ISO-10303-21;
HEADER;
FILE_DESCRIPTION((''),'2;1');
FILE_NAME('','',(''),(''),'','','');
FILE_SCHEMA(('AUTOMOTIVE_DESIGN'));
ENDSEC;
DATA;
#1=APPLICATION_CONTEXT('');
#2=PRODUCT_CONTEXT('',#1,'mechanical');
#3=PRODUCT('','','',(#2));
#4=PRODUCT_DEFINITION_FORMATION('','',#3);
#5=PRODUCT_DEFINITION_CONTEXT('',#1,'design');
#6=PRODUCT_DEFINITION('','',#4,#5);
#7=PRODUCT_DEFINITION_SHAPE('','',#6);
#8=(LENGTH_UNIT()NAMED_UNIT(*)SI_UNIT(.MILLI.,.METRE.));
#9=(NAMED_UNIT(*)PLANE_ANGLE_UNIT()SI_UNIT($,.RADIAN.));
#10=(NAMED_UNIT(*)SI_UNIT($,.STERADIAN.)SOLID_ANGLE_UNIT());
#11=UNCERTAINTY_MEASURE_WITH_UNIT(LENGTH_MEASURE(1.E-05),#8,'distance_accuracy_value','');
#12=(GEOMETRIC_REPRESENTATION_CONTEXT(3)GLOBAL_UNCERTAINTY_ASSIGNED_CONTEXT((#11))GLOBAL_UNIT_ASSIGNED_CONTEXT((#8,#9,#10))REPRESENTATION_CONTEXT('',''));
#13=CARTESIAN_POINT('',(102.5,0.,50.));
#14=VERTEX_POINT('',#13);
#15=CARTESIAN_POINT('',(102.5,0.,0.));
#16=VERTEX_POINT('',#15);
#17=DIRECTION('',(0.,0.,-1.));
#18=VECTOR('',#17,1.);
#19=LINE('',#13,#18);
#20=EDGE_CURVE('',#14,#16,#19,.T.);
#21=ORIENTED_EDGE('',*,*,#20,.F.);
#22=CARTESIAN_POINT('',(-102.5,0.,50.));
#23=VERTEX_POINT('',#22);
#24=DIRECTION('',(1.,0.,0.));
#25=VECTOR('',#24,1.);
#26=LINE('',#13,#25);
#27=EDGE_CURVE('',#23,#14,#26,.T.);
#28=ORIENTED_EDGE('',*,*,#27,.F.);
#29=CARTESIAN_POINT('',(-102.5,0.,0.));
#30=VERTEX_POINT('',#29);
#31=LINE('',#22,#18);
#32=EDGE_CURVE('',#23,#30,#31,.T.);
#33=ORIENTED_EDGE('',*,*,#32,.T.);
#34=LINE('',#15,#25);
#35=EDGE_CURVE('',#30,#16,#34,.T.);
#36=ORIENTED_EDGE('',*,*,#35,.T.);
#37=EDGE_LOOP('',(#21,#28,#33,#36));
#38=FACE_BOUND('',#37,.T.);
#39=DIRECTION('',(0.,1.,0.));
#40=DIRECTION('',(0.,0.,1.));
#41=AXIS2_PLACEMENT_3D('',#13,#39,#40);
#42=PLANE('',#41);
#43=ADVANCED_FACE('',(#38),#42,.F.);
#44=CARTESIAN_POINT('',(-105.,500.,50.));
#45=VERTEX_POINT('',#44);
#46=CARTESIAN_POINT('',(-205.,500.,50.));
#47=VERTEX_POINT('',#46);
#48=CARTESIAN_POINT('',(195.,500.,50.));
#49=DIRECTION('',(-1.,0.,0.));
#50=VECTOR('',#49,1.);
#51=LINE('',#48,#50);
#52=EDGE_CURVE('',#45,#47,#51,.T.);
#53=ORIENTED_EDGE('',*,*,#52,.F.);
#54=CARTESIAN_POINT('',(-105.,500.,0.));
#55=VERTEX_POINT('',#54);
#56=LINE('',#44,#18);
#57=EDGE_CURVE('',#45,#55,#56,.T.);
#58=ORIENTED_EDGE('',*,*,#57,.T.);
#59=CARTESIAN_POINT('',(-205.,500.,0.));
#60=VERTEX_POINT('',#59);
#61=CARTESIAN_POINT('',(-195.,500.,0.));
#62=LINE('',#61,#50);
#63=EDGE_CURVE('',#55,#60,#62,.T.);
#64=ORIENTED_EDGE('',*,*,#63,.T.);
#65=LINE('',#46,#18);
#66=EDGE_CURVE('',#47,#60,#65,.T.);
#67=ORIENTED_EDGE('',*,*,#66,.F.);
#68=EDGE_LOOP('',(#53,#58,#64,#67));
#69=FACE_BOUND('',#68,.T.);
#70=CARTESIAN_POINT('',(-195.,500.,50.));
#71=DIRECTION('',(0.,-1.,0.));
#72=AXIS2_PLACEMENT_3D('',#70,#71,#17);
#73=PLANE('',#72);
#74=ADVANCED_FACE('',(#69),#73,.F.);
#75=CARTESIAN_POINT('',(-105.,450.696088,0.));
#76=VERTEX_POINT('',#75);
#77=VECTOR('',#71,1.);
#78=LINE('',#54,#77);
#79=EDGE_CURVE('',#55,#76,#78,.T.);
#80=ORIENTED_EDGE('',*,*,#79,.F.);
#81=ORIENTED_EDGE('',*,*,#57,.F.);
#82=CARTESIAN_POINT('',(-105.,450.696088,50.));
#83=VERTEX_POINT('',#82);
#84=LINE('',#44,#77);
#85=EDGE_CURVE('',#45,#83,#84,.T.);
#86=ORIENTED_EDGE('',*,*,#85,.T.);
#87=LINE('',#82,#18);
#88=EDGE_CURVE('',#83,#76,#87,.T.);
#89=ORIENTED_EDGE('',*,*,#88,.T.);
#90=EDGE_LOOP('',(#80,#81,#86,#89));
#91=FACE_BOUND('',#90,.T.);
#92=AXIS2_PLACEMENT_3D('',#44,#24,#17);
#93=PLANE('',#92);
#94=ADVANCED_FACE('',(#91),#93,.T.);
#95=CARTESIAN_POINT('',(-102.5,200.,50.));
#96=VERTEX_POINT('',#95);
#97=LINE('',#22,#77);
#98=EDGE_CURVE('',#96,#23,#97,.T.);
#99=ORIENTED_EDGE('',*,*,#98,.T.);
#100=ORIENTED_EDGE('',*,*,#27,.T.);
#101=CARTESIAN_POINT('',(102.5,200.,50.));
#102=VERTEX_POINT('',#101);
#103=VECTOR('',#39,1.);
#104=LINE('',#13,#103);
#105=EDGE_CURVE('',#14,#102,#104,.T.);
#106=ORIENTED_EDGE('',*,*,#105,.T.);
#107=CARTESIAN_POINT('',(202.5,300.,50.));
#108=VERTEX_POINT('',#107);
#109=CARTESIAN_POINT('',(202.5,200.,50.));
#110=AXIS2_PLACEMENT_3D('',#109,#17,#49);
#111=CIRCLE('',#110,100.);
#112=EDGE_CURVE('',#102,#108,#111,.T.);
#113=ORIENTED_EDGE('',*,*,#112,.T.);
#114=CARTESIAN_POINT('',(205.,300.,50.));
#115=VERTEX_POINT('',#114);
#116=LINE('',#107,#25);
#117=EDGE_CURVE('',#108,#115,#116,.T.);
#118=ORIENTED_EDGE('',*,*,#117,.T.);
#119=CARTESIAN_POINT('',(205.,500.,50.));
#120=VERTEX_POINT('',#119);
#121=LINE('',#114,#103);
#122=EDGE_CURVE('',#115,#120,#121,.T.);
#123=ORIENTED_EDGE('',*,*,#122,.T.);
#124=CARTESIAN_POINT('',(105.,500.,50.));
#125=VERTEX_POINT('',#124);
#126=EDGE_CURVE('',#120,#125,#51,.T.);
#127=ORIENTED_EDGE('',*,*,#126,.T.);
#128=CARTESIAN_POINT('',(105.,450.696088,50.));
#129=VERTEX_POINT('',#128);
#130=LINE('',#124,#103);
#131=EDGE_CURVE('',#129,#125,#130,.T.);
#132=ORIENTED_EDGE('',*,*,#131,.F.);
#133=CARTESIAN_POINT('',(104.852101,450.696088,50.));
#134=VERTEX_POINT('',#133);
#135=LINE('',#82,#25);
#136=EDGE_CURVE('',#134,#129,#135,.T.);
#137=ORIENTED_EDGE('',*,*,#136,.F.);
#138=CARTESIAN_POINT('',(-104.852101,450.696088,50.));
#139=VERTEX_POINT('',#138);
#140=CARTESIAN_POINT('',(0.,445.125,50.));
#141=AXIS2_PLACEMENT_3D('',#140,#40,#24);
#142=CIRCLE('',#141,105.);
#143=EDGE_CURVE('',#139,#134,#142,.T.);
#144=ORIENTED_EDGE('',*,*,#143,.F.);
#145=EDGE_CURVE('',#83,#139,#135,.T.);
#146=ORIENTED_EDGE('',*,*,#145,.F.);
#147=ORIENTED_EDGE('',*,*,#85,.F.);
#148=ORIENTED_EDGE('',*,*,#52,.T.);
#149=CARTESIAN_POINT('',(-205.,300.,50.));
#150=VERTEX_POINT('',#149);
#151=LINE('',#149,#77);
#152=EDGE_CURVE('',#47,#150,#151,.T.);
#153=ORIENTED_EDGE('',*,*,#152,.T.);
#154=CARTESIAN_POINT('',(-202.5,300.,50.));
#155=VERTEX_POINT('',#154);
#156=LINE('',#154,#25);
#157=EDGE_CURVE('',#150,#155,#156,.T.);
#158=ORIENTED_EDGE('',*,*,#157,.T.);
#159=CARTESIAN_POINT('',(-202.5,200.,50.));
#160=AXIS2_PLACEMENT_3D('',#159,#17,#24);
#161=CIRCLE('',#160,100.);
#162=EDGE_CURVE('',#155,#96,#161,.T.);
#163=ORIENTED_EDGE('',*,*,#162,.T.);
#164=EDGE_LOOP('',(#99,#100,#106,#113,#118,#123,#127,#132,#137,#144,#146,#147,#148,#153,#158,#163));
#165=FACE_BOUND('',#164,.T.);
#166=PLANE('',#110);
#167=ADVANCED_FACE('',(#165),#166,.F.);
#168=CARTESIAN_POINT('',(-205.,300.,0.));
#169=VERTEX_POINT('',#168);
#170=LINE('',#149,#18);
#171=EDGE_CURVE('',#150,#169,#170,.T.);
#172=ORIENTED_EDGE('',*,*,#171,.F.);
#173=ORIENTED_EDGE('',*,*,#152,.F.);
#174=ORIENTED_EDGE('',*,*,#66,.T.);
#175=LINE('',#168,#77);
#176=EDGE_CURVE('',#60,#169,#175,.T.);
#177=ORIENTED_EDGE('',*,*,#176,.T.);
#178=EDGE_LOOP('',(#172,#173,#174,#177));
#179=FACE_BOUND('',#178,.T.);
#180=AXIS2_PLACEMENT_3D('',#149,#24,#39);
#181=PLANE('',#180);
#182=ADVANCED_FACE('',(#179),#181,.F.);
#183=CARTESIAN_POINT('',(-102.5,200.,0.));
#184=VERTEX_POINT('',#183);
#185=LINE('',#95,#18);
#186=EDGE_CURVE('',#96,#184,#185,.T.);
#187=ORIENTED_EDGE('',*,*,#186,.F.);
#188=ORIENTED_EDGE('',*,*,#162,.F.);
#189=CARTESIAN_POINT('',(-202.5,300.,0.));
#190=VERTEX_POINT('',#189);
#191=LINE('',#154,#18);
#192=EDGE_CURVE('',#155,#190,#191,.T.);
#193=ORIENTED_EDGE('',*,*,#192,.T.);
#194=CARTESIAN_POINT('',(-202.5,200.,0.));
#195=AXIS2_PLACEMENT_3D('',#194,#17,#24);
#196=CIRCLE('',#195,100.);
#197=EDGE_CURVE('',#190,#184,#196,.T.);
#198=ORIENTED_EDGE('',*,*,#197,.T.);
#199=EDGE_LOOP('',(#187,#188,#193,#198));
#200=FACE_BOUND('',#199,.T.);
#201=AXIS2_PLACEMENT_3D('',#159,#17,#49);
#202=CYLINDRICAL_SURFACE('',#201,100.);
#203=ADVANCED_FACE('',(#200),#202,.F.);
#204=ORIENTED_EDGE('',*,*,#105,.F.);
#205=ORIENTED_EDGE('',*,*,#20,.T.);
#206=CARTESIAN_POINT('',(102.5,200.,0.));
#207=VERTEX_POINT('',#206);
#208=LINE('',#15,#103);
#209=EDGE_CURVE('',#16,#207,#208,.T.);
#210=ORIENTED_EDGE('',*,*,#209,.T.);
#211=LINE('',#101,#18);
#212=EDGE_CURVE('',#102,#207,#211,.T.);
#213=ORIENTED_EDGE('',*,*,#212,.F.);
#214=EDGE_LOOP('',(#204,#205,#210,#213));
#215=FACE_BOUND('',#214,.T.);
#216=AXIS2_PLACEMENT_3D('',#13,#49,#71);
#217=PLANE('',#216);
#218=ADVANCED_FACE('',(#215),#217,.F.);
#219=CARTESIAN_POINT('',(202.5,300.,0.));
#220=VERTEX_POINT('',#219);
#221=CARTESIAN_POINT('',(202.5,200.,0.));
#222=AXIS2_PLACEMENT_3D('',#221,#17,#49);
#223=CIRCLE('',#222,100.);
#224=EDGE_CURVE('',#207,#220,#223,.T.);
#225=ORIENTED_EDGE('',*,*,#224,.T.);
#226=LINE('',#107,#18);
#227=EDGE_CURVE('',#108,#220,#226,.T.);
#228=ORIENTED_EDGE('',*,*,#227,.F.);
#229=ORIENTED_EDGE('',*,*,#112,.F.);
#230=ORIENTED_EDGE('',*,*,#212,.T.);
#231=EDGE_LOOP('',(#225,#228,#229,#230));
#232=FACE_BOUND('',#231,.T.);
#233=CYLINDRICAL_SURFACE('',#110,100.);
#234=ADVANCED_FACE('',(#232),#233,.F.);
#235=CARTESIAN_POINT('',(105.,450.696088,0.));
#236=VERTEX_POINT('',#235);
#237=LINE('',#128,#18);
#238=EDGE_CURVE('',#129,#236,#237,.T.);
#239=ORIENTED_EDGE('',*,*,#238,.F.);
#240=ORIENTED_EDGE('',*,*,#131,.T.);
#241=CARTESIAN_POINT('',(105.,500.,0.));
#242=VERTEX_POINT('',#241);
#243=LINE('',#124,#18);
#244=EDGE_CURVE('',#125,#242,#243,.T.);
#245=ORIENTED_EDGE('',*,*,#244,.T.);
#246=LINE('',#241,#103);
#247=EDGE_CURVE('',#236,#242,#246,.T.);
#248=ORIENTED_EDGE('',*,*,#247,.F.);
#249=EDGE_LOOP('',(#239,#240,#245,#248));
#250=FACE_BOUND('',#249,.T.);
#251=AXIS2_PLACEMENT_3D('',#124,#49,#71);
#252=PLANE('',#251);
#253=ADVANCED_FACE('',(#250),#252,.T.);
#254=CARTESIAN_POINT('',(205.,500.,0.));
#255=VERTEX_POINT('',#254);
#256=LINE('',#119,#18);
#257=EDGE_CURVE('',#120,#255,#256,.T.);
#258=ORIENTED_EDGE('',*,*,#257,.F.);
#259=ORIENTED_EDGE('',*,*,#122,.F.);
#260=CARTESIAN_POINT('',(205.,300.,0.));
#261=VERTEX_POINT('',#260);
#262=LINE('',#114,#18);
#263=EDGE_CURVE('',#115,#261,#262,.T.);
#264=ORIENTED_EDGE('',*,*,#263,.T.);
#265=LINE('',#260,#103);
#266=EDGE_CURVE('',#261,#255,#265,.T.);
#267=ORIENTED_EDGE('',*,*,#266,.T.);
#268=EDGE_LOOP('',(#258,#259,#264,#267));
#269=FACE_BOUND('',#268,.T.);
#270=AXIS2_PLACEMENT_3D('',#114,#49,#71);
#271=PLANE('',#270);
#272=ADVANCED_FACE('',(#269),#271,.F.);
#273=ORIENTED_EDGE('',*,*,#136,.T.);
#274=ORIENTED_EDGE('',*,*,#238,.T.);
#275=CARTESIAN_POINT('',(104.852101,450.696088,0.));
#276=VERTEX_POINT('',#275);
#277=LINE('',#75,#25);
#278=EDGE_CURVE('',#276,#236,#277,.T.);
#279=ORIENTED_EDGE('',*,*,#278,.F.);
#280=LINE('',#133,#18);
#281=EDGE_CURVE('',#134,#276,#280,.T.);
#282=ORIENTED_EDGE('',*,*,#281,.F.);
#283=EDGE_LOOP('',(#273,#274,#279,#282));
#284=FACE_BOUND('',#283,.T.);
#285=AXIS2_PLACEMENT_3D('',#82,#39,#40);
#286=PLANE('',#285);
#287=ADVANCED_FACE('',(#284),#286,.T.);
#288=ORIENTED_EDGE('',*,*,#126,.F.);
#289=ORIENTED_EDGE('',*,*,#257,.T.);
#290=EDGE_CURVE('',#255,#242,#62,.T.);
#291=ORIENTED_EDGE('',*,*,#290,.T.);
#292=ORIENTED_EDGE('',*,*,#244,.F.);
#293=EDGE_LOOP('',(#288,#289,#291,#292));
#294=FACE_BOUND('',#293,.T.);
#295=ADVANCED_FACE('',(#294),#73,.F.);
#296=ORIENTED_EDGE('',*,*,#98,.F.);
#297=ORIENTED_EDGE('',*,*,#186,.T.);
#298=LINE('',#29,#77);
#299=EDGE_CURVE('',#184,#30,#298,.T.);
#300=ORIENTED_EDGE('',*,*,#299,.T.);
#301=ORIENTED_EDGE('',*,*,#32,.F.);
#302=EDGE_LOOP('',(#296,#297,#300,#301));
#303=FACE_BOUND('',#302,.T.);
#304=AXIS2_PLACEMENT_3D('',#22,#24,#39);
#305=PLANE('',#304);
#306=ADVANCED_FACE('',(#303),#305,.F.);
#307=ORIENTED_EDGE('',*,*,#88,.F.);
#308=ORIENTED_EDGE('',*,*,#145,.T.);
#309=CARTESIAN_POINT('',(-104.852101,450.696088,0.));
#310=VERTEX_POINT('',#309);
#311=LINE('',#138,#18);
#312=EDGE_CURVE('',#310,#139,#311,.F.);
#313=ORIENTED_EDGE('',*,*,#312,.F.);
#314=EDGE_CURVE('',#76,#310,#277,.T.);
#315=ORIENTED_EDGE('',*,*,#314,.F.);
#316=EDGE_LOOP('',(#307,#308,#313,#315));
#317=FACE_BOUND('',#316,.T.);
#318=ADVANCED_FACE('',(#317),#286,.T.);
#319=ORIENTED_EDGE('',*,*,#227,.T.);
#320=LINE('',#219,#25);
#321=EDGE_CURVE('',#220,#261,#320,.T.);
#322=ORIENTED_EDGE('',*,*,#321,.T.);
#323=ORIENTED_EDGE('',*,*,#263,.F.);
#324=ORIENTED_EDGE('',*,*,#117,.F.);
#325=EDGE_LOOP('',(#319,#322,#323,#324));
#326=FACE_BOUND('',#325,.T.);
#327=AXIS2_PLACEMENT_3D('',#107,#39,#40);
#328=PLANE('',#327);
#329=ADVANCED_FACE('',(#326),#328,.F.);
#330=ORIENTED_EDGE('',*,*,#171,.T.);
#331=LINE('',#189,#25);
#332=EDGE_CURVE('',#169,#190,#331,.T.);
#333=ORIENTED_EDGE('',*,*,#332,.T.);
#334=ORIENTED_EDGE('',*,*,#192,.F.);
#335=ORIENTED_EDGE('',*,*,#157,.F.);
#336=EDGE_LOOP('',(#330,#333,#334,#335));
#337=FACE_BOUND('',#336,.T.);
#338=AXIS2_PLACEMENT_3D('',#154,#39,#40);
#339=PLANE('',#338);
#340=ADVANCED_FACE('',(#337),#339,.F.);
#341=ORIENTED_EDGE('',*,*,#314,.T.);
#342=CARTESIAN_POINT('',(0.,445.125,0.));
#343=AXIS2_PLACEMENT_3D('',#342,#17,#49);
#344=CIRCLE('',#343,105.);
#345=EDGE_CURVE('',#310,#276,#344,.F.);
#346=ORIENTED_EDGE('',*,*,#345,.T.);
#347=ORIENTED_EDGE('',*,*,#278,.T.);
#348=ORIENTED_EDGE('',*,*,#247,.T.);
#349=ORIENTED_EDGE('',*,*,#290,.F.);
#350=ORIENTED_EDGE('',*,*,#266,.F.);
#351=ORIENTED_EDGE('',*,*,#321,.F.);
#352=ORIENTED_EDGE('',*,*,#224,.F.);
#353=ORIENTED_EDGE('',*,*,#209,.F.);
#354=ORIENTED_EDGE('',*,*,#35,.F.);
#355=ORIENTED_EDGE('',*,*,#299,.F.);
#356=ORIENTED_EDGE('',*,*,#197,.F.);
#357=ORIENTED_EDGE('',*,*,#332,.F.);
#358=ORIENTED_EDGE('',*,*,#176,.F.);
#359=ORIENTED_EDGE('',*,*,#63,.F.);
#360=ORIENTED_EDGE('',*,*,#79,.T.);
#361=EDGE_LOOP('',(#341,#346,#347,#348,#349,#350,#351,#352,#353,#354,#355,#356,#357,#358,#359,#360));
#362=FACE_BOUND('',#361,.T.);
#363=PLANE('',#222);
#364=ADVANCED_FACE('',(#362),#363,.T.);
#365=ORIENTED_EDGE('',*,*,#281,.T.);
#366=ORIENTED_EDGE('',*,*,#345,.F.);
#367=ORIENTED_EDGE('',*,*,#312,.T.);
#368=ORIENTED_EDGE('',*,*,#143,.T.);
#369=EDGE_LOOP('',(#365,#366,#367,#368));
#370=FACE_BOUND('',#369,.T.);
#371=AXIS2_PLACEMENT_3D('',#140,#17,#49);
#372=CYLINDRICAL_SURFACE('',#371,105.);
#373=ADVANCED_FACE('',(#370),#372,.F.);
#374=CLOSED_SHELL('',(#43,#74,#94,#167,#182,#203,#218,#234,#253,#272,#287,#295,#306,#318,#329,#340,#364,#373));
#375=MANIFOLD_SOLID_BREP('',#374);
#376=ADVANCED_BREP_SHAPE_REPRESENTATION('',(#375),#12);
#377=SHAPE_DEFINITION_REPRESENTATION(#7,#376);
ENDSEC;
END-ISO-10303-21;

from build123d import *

# Parameters (mm, degrees)
BOSS_EXTRUDE2_DEPTH = 50
CUT_EXTRUDE2_START  = -102.5
SKETCH2_R           = 3.05
CUT_EXTRUDE2_DEPTH  = 6
CUT_EXTRUDE3_START  = 96.5
SKETCH2_2_R         = 3.05
CUT_EXTRUDE3_DEPTH  = 6
BOSS_EXTRUDE3_DEPTH = 50
SKETCH5_R           = 105
CUT_EXTRUDE6_DEPTH  = 543.701575454
SKETCH8_W           = 210
SKETCH8_H           = 49.303912119
CUT_EXTRUDE7_DEPTH  = 543.701575454


with BuildPart() as part:
    # Sketch1 → Boss-Extrude2 (new body)
    with BuildSketch(Plane.XY):
        with BuildLine():
            Line((102.5, 0), (-102.5, 0))
            Line((-102.5, 0), (-102.5, 200))
            ThreePointArc((-102.5, 200), (-131.789321881, 270.710678119), (-202.5, 300))
            Line((-202.5, 300), (-205, 300))
            Line((-205, 300), (-205, 490))
            ThreePointArc((-205, 490), (-202.071067812, 497.071067812), (-195, 500))
            Line((-195, 500), (-112.5, 500))
            ThreePointArc((-112.5, 500), (-105.428932188, 497.071067812), (-102.5, 490))
            Line((-102.5, 490), (-102.5, 400.25))
            ThreePointArc((-102.5, 400.25), (-102.426776695, 400.073223305), (-102.25, 400))
            Line((-102.25, 400), (102.25, 400))
            ThreePointArc((102.25, 400), (102.426776695, 400.073223305), (102.5, 400.25))
            Line((102.5, 400.25), (102.5, 490))
            ThreePointArc((102.5, 490), (105.428932188, 497.071067812), (112.5, 500))
            Line((112.5, 500), (195, 500))
            ThreePointArc((195, 500), (202.071067812, 497.071067812), (205, 490))
            Line((205, 490), (205, 300))
            Line((205, 300), (202.5, 300))
            ThreePointArc((202.5, 300), (131.789321881, 270.710678119), (102.5, 200))
            Line((102.5, 200), (102.5, 0))
        make_face()
    extrude(amount=BOSS_EXTRUDE2_DEPTH)

    # Sketch2 → Cut-Extrude2 (cut)
    with BuildSketch(Plane(origin=(0, 0, 0), x_dir=(0, 0, -1), z_dir=(1, 0, 0)).offset(CUT_EXTRUDE2_START)):
        with Locations(Location((-25, 30, 0), (0, 0, 180))):
            Circle(SKETCH2_R)
        with Locations(Location((-25, 90, 0), (0, 0, 180))):
            Circle(SKETCH2_R)
        with Locations(Location((-25, 150, 0), (0, 0, 180))):
            Circle(SKETCH2_R)
    extrude(amount=CUT_EXTRUDE2_DEPTH, mode=Mode.SUBTRACT)

    # Sketch2<2> → Cut-Extrude3 (cut)
    with BuildSketch(Plane(origin=(0, 0, 0), x_dir=(0, 0, -1), z_dir=(1, 0, 0)).offset(CUT_EXTRUDE3_START)):
        with Locations(Location((-25, 30, 0), (0, 0, 180))):
            Circle(SKETCH2_2_R)
        with Locations(Location((-25, 90, 0), (0, 0, 180))):
            Circle(SKETCH2_2_R)
        with Locations(Location((-25, 150, 0), (0, 0, 180))):
            Circle(SKETCH2_2_R)
    extrude(amount=CUT_EXTRUDE3_DEPTH, mode=Mode.SUBTRACT)

    # Sketch6 → Boss-Extrude3 (add)
    with BuildSketch(Plane.XY):
        with BuildLine():
            Line((202.5, 300), (205, 300))
            Line((205, 300), (205, 500))
            Line((205, 500), (-205, 500))
            Line((-205, 500), (-205, 300))
            Line((-205, 300), (-202.5, 300))
            ThreePointArc((-202.5, 300), (-131.789321881, 270.710678119), (-102.5, 200))
            Line((-102.5, 200), (-102.5, 0))
            Line((-102.5, 0), (102.5, 0))
            Line((102.5, 0), (102.5, 200))
            ThreePointArc((102.5, 200), (131.789321881, 270.710678119), (202.5, 300))
        make_face()
    extrude(amount=BOSS_EXTRUDE3_DEPTH)

    # Sketch5 → Cut-Extrude6 (cut, through all)
    with BuildSketch(Plane.XY):
        with Locations((0, 445.125)):
            Circle(SKETCH5_R)
    extrude(amount=CUT_EXTRUDE6_DEPTH, mode=Mode.SUBTRACT)

    # Sketch8 → Cut-Extrude7 (cut, through all)
    with BuildSketch(Plane.XY):
        with Locations((0, 475.348043941)):
            Rectangle(SKETCH8_W, SKETCH8_H)
    extrude(amount=CUT_EXTRUDE7_DEPTH, mode=Mode.SUBTRACT)


solid = part.part
